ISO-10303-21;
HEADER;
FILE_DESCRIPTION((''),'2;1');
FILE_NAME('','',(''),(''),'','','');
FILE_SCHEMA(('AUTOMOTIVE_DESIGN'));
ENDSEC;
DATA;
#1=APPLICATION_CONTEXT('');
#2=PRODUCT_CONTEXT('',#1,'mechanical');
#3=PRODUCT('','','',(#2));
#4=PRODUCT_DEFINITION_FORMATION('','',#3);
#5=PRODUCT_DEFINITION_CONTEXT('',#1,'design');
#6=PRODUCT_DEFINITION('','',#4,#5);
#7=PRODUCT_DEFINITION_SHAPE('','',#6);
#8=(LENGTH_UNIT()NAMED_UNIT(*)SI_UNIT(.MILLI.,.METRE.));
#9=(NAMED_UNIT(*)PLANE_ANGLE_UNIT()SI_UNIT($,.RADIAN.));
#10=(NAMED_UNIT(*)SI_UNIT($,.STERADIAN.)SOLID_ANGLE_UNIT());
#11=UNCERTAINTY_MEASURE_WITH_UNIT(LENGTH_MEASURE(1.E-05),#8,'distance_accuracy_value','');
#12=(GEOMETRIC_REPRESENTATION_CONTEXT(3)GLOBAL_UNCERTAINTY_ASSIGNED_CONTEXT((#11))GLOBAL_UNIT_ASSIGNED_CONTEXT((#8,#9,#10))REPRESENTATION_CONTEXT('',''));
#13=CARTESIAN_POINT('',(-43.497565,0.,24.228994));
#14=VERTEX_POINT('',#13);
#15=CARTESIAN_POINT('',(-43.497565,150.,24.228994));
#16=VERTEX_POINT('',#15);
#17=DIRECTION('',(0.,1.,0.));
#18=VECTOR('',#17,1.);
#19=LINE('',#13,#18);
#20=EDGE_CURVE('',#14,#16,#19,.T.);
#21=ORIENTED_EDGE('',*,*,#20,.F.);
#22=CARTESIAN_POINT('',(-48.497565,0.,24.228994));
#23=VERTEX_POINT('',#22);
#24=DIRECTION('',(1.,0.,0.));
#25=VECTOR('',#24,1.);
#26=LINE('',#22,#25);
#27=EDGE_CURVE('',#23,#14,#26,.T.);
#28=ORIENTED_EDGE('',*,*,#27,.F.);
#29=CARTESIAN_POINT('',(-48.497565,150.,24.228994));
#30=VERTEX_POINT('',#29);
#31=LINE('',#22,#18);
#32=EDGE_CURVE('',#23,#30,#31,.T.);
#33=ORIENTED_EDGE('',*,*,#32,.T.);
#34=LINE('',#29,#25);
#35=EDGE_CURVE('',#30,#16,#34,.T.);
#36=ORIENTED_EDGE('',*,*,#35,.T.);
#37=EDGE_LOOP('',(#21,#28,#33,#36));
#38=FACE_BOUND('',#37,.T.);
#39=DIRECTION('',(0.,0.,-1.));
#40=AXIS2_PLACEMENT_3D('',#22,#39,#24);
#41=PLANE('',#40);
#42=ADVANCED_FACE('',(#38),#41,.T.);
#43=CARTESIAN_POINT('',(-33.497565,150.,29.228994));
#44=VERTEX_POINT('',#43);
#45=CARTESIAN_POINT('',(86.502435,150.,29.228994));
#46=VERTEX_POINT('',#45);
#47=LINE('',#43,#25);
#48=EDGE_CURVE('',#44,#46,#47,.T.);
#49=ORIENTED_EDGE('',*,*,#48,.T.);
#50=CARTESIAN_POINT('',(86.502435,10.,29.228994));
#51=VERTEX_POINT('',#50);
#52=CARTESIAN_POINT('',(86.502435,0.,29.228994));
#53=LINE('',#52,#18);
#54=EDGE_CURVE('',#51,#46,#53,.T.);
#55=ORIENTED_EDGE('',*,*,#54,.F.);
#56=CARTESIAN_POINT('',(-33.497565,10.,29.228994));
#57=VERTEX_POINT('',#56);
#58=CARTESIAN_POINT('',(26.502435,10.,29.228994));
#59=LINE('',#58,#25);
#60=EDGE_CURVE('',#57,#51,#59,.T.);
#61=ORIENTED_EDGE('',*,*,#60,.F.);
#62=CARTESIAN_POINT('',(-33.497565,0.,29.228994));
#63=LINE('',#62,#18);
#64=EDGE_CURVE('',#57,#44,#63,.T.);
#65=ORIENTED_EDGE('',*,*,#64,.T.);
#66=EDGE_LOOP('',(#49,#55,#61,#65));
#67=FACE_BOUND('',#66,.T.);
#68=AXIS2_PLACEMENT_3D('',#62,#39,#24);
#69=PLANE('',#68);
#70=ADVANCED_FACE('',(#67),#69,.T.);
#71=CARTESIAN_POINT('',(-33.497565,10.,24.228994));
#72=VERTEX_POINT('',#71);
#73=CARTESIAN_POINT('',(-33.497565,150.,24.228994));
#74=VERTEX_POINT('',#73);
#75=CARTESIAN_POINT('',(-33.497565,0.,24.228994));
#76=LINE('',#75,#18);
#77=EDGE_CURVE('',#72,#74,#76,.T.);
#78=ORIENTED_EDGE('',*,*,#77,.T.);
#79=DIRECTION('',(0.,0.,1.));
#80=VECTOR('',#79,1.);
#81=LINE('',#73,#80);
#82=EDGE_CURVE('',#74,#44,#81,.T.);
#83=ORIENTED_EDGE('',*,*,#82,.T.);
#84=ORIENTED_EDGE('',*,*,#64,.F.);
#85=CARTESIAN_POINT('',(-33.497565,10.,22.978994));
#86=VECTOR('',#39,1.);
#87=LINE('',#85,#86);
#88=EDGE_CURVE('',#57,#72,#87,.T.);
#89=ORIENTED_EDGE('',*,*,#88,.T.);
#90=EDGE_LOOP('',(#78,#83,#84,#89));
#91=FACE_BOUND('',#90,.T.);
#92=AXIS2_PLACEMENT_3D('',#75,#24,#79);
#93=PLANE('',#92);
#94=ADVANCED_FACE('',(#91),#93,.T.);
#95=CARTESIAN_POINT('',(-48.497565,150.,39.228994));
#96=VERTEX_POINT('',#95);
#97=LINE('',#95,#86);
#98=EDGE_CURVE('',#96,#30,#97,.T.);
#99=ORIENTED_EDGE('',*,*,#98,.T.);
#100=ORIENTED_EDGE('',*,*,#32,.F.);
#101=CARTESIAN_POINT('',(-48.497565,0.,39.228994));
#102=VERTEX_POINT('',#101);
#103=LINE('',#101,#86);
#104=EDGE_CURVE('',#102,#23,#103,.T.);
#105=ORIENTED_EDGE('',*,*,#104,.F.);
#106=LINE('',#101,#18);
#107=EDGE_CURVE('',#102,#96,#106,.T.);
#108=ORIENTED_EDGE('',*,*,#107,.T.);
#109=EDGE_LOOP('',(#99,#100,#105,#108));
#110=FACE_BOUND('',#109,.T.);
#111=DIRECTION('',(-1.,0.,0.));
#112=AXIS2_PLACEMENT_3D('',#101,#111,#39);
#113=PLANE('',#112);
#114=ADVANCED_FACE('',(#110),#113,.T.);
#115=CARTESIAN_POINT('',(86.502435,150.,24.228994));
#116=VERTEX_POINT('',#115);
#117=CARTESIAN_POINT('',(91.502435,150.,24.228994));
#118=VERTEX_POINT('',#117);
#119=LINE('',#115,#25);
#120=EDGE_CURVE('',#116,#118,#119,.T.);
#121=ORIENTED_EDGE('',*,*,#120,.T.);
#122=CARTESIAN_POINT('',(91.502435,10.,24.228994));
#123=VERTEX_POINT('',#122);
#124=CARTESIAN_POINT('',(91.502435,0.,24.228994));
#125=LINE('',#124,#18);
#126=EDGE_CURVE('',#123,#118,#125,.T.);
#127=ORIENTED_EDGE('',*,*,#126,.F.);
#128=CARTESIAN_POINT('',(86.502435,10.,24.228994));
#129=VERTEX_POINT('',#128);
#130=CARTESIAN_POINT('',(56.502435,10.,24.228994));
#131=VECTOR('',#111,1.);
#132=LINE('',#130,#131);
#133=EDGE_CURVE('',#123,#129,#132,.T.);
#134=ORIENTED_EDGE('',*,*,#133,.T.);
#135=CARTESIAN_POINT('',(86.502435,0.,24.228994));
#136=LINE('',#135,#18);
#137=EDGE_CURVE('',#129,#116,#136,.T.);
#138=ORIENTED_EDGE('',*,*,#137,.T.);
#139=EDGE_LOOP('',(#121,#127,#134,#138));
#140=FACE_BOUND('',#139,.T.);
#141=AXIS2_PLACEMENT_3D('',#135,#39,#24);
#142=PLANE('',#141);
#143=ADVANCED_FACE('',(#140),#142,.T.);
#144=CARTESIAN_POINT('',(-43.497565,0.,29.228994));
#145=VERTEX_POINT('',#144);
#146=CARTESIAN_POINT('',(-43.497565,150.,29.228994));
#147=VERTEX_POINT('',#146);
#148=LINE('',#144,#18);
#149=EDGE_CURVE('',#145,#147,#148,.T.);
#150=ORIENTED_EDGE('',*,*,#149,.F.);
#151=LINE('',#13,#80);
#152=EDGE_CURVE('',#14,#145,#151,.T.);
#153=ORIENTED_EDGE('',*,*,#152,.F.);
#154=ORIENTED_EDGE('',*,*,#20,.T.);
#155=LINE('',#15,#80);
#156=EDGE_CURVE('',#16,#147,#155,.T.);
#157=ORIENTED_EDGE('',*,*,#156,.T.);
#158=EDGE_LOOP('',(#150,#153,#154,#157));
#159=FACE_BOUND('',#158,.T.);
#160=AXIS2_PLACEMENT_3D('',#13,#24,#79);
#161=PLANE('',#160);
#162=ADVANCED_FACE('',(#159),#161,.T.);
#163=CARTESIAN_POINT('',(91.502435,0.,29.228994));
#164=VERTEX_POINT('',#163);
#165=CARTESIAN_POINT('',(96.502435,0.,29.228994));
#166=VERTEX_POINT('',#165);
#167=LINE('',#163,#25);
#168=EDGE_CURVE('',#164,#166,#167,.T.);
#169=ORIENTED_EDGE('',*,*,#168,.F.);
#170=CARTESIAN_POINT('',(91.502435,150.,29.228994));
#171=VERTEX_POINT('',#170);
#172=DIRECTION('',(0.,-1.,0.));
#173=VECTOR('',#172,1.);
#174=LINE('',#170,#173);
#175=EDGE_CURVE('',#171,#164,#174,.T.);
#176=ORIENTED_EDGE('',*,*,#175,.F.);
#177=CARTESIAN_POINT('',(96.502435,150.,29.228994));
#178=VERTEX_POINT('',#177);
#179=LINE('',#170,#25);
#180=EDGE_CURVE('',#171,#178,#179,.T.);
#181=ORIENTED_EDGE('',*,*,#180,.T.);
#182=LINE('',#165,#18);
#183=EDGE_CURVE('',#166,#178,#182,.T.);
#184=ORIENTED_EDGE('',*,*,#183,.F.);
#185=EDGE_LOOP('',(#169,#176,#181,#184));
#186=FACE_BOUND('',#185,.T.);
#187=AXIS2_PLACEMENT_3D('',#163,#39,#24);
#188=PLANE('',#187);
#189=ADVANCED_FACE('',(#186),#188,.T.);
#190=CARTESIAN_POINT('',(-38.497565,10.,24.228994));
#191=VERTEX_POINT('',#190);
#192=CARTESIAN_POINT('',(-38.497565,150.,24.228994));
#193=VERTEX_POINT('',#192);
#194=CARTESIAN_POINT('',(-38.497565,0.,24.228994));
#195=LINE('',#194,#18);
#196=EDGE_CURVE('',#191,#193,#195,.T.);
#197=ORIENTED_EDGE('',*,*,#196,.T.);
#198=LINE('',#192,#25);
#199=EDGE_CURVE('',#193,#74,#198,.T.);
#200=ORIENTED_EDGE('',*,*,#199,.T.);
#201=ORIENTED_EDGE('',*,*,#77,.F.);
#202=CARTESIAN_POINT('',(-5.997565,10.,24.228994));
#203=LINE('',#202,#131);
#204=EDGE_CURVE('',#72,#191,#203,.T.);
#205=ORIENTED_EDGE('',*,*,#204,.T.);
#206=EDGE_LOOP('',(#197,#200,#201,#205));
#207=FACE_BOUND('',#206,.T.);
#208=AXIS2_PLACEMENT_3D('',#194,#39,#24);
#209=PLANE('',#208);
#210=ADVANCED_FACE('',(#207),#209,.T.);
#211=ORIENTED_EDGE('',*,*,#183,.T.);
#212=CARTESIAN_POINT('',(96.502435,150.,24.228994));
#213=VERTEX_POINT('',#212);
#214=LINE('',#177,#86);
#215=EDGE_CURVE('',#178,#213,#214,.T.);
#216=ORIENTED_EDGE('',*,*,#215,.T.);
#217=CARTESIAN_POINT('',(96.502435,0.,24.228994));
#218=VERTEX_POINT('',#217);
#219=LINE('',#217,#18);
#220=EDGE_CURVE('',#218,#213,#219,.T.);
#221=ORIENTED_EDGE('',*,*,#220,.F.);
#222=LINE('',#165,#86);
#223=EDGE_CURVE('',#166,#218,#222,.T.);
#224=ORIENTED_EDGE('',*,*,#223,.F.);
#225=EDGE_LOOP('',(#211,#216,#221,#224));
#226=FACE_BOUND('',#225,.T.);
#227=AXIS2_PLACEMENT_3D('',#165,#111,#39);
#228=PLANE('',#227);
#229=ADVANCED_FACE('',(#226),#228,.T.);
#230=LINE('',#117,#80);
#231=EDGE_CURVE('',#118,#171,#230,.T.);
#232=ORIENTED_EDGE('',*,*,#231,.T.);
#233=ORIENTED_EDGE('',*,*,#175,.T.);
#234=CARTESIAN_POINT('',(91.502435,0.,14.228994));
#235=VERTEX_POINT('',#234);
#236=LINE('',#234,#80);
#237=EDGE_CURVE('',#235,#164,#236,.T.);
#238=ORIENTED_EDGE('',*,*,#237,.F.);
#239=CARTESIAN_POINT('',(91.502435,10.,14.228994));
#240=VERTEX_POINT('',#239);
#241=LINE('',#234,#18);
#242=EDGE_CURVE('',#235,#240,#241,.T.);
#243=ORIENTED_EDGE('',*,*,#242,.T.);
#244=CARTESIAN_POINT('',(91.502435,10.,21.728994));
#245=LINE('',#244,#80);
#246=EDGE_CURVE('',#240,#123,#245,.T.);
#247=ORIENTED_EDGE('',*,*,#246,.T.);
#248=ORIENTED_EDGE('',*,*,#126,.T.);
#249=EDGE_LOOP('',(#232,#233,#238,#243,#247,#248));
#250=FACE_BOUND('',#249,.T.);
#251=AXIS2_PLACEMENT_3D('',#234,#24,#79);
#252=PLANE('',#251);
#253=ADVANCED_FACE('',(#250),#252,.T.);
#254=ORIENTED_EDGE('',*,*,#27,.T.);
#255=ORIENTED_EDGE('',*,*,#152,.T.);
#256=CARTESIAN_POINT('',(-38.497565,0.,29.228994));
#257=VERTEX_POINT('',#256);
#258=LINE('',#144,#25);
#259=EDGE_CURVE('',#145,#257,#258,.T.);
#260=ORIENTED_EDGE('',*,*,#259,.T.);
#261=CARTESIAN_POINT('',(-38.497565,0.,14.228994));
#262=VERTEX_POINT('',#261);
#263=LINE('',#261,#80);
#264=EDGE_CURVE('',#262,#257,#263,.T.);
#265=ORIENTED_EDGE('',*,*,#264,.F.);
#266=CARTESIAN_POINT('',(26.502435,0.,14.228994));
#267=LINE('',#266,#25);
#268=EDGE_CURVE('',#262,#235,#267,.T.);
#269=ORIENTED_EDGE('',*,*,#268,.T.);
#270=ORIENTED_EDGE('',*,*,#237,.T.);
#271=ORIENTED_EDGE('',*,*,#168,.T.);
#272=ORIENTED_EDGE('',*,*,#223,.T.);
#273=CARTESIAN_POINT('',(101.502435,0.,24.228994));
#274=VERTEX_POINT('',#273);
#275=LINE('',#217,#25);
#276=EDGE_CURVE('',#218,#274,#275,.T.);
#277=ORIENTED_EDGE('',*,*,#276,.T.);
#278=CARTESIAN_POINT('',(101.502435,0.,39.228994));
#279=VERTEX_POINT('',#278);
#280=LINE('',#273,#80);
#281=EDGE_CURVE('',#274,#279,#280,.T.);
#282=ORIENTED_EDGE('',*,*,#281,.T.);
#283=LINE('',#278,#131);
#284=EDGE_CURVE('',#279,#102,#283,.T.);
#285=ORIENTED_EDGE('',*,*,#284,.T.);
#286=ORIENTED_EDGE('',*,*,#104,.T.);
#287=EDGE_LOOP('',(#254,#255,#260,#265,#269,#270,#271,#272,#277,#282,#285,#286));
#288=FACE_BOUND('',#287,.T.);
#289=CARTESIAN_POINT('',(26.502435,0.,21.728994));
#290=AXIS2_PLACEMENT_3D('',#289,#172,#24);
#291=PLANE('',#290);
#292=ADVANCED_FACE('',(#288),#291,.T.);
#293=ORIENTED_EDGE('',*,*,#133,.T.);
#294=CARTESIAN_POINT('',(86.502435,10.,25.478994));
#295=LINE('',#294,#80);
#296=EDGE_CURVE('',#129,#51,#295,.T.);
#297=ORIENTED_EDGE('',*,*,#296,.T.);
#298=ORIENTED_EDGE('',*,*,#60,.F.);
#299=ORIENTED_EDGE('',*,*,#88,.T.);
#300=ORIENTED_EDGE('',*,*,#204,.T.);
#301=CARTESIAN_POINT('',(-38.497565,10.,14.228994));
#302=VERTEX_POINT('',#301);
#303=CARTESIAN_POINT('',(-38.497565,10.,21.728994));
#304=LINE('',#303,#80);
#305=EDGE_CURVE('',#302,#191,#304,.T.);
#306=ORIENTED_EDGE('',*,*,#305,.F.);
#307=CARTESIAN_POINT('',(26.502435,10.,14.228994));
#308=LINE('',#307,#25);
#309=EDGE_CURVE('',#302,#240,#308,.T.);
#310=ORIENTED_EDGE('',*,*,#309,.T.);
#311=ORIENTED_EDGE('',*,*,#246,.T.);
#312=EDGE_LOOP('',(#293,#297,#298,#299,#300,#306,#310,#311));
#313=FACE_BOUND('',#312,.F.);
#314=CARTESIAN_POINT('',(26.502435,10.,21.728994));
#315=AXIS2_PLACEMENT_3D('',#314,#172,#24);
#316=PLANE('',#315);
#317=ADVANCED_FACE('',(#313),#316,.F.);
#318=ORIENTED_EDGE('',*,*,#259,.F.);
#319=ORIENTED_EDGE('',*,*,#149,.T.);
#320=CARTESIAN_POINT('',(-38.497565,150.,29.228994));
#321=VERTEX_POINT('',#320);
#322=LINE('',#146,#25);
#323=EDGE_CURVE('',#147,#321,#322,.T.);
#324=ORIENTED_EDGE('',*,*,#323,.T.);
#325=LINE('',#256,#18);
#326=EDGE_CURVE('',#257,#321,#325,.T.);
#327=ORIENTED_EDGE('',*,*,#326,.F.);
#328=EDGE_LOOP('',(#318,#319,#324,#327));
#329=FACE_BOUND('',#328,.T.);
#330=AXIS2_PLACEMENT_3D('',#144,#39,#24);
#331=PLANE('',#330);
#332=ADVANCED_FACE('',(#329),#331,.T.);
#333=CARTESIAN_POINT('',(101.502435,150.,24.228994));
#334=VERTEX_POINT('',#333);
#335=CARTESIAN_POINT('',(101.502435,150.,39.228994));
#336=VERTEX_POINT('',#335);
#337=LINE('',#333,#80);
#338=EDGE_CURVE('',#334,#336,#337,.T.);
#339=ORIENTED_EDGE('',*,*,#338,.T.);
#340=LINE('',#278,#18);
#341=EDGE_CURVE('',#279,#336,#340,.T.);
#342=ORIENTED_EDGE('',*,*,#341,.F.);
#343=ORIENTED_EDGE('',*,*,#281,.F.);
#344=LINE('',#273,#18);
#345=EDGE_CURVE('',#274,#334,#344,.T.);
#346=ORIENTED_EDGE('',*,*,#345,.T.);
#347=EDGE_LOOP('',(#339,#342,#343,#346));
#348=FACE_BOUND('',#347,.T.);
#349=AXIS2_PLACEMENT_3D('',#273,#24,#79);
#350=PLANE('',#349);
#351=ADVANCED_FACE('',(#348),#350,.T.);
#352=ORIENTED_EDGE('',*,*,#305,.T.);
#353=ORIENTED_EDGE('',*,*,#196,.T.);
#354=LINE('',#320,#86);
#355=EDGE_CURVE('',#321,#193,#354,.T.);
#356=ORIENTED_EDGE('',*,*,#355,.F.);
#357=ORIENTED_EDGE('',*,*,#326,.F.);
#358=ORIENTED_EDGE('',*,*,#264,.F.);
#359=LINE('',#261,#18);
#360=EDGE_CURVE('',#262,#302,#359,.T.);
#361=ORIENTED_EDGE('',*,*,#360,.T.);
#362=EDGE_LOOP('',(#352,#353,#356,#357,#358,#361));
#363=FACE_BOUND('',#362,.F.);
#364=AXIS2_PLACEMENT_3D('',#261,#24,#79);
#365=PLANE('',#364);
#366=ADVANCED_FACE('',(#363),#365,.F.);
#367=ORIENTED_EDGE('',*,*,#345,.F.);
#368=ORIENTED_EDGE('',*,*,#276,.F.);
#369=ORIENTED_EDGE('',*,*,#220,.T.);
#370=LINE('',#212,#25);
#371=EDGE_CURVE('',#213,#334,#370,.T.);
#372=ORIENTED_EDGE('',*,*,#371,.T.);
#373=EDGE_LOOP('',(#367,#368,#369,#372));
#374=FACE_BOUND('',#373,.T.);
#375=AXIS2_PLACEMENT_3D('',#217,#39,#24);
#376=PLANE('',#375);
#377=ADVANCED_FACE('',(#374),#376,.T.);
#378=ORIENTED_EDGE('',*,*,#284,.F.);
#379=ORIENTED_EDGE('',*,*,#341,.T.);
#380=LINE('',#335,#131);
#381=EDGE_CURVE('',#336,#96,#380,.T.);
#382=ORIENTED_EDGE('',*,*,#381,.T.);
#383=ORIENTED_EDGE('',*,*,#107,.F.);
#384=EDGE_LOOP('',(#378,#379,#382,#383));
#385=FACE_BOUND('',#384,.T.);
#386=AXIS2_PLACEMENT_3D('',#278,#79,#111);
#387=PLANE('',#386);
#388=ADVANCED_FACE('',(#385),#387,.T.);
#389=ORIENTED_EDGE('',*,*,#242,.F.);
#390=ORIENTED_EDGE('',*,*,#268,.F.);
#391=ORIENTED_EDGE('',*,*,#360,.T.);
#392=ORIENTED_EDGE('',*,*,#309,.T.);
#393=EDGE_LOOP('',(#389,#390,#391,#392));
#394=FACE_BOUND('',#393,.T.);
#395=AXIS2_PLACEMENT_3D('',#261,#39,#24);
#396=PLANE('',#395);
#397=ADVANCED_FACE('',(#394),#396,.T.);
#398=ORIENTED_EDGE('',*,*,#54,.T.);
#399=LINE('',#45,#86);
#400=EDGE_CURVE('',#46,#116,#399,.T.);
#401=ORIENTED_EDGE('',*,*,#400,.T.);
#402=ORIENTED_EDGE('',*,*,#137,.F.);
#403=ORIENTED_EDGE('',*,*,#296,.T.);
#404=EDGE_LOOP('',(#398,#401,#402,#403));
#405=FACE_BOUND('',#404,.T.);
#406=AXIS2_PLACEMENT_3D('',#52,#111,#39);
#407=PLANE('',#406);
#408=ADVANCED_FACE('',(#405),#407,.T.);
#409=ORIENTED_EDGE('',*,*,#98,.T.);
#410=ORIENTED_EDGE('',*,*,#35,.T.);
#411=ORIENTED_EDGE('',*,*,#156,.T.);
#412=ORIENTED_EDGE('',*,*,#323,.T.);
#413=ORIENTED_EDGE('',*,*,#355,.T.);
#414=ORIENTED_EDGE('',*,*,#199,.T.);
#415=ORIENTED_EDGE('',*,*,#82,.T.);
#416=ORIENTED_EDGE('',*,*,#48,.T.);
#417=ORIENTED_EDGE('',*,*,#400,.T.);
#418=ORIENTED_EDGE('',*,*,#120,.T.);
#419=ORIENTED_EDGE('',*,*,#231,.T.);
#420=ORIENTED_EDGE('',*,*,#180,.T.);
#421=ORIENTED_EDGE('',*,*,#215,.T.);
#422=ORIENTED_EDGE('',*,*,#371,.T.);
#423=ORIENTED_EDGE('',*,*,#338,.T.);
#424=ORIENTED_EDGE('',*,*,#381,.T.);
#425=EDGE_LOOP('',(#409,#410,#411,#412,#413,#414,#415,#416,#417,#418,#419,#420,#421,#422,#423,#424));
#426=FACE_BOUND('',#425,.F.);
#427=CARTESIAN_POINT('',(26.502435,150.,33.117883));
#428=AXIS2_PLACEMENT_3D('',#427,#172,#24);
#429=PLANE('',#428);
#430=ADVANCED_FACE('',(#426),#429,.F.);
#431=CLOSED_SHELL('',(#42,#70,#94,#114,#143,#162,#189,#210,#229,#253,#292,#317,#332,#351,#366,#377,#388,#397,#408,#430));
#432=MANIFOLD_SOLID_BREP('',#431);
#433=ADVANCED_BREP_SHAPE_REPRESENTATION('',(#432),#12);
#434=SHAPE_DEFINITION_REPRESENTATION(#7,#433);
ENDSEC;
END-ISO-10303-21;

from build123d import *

# Parameters (mm, degrees)
F1_DEPTH = 150
F2_W     = 130
F2_H     = 15
F3_DEPTH = 10


with BuildPart() as f1:
    # F0 (on Front) → F1 (new body)
    with BuildSketch(Plane.XZ):
        Polygon((101.502435, 39.228994), (-48.497565, 39.228994), (-48.497565, 24.228994), (-43.497565, 24.228994), (-43.497565, 29.228994), (-38.497565, 29.228994), (-38.497565, 24.228994), (-33.497565, 24.228994), (-33.497565, 29.228994), (86.502435, 29.228994), (86.502435, 24.228994), (91.502435, 24.228994), (91.502435, 29.228994), (96.502435, 29.228994), (96.502435, 24.228994), (101.502435, 24.228994), align=None)
    extrude(amount=-F1_DEPTH)

    # F2 (on face) → F3 (join)
    with BuildSketch(Plane.XZ):
        with Locations((26.502435, 21.728994)):
            Rectangle(F2_W, F2_H)
    extrude(amount=-F3_DEPTH)


solid = f1.part
